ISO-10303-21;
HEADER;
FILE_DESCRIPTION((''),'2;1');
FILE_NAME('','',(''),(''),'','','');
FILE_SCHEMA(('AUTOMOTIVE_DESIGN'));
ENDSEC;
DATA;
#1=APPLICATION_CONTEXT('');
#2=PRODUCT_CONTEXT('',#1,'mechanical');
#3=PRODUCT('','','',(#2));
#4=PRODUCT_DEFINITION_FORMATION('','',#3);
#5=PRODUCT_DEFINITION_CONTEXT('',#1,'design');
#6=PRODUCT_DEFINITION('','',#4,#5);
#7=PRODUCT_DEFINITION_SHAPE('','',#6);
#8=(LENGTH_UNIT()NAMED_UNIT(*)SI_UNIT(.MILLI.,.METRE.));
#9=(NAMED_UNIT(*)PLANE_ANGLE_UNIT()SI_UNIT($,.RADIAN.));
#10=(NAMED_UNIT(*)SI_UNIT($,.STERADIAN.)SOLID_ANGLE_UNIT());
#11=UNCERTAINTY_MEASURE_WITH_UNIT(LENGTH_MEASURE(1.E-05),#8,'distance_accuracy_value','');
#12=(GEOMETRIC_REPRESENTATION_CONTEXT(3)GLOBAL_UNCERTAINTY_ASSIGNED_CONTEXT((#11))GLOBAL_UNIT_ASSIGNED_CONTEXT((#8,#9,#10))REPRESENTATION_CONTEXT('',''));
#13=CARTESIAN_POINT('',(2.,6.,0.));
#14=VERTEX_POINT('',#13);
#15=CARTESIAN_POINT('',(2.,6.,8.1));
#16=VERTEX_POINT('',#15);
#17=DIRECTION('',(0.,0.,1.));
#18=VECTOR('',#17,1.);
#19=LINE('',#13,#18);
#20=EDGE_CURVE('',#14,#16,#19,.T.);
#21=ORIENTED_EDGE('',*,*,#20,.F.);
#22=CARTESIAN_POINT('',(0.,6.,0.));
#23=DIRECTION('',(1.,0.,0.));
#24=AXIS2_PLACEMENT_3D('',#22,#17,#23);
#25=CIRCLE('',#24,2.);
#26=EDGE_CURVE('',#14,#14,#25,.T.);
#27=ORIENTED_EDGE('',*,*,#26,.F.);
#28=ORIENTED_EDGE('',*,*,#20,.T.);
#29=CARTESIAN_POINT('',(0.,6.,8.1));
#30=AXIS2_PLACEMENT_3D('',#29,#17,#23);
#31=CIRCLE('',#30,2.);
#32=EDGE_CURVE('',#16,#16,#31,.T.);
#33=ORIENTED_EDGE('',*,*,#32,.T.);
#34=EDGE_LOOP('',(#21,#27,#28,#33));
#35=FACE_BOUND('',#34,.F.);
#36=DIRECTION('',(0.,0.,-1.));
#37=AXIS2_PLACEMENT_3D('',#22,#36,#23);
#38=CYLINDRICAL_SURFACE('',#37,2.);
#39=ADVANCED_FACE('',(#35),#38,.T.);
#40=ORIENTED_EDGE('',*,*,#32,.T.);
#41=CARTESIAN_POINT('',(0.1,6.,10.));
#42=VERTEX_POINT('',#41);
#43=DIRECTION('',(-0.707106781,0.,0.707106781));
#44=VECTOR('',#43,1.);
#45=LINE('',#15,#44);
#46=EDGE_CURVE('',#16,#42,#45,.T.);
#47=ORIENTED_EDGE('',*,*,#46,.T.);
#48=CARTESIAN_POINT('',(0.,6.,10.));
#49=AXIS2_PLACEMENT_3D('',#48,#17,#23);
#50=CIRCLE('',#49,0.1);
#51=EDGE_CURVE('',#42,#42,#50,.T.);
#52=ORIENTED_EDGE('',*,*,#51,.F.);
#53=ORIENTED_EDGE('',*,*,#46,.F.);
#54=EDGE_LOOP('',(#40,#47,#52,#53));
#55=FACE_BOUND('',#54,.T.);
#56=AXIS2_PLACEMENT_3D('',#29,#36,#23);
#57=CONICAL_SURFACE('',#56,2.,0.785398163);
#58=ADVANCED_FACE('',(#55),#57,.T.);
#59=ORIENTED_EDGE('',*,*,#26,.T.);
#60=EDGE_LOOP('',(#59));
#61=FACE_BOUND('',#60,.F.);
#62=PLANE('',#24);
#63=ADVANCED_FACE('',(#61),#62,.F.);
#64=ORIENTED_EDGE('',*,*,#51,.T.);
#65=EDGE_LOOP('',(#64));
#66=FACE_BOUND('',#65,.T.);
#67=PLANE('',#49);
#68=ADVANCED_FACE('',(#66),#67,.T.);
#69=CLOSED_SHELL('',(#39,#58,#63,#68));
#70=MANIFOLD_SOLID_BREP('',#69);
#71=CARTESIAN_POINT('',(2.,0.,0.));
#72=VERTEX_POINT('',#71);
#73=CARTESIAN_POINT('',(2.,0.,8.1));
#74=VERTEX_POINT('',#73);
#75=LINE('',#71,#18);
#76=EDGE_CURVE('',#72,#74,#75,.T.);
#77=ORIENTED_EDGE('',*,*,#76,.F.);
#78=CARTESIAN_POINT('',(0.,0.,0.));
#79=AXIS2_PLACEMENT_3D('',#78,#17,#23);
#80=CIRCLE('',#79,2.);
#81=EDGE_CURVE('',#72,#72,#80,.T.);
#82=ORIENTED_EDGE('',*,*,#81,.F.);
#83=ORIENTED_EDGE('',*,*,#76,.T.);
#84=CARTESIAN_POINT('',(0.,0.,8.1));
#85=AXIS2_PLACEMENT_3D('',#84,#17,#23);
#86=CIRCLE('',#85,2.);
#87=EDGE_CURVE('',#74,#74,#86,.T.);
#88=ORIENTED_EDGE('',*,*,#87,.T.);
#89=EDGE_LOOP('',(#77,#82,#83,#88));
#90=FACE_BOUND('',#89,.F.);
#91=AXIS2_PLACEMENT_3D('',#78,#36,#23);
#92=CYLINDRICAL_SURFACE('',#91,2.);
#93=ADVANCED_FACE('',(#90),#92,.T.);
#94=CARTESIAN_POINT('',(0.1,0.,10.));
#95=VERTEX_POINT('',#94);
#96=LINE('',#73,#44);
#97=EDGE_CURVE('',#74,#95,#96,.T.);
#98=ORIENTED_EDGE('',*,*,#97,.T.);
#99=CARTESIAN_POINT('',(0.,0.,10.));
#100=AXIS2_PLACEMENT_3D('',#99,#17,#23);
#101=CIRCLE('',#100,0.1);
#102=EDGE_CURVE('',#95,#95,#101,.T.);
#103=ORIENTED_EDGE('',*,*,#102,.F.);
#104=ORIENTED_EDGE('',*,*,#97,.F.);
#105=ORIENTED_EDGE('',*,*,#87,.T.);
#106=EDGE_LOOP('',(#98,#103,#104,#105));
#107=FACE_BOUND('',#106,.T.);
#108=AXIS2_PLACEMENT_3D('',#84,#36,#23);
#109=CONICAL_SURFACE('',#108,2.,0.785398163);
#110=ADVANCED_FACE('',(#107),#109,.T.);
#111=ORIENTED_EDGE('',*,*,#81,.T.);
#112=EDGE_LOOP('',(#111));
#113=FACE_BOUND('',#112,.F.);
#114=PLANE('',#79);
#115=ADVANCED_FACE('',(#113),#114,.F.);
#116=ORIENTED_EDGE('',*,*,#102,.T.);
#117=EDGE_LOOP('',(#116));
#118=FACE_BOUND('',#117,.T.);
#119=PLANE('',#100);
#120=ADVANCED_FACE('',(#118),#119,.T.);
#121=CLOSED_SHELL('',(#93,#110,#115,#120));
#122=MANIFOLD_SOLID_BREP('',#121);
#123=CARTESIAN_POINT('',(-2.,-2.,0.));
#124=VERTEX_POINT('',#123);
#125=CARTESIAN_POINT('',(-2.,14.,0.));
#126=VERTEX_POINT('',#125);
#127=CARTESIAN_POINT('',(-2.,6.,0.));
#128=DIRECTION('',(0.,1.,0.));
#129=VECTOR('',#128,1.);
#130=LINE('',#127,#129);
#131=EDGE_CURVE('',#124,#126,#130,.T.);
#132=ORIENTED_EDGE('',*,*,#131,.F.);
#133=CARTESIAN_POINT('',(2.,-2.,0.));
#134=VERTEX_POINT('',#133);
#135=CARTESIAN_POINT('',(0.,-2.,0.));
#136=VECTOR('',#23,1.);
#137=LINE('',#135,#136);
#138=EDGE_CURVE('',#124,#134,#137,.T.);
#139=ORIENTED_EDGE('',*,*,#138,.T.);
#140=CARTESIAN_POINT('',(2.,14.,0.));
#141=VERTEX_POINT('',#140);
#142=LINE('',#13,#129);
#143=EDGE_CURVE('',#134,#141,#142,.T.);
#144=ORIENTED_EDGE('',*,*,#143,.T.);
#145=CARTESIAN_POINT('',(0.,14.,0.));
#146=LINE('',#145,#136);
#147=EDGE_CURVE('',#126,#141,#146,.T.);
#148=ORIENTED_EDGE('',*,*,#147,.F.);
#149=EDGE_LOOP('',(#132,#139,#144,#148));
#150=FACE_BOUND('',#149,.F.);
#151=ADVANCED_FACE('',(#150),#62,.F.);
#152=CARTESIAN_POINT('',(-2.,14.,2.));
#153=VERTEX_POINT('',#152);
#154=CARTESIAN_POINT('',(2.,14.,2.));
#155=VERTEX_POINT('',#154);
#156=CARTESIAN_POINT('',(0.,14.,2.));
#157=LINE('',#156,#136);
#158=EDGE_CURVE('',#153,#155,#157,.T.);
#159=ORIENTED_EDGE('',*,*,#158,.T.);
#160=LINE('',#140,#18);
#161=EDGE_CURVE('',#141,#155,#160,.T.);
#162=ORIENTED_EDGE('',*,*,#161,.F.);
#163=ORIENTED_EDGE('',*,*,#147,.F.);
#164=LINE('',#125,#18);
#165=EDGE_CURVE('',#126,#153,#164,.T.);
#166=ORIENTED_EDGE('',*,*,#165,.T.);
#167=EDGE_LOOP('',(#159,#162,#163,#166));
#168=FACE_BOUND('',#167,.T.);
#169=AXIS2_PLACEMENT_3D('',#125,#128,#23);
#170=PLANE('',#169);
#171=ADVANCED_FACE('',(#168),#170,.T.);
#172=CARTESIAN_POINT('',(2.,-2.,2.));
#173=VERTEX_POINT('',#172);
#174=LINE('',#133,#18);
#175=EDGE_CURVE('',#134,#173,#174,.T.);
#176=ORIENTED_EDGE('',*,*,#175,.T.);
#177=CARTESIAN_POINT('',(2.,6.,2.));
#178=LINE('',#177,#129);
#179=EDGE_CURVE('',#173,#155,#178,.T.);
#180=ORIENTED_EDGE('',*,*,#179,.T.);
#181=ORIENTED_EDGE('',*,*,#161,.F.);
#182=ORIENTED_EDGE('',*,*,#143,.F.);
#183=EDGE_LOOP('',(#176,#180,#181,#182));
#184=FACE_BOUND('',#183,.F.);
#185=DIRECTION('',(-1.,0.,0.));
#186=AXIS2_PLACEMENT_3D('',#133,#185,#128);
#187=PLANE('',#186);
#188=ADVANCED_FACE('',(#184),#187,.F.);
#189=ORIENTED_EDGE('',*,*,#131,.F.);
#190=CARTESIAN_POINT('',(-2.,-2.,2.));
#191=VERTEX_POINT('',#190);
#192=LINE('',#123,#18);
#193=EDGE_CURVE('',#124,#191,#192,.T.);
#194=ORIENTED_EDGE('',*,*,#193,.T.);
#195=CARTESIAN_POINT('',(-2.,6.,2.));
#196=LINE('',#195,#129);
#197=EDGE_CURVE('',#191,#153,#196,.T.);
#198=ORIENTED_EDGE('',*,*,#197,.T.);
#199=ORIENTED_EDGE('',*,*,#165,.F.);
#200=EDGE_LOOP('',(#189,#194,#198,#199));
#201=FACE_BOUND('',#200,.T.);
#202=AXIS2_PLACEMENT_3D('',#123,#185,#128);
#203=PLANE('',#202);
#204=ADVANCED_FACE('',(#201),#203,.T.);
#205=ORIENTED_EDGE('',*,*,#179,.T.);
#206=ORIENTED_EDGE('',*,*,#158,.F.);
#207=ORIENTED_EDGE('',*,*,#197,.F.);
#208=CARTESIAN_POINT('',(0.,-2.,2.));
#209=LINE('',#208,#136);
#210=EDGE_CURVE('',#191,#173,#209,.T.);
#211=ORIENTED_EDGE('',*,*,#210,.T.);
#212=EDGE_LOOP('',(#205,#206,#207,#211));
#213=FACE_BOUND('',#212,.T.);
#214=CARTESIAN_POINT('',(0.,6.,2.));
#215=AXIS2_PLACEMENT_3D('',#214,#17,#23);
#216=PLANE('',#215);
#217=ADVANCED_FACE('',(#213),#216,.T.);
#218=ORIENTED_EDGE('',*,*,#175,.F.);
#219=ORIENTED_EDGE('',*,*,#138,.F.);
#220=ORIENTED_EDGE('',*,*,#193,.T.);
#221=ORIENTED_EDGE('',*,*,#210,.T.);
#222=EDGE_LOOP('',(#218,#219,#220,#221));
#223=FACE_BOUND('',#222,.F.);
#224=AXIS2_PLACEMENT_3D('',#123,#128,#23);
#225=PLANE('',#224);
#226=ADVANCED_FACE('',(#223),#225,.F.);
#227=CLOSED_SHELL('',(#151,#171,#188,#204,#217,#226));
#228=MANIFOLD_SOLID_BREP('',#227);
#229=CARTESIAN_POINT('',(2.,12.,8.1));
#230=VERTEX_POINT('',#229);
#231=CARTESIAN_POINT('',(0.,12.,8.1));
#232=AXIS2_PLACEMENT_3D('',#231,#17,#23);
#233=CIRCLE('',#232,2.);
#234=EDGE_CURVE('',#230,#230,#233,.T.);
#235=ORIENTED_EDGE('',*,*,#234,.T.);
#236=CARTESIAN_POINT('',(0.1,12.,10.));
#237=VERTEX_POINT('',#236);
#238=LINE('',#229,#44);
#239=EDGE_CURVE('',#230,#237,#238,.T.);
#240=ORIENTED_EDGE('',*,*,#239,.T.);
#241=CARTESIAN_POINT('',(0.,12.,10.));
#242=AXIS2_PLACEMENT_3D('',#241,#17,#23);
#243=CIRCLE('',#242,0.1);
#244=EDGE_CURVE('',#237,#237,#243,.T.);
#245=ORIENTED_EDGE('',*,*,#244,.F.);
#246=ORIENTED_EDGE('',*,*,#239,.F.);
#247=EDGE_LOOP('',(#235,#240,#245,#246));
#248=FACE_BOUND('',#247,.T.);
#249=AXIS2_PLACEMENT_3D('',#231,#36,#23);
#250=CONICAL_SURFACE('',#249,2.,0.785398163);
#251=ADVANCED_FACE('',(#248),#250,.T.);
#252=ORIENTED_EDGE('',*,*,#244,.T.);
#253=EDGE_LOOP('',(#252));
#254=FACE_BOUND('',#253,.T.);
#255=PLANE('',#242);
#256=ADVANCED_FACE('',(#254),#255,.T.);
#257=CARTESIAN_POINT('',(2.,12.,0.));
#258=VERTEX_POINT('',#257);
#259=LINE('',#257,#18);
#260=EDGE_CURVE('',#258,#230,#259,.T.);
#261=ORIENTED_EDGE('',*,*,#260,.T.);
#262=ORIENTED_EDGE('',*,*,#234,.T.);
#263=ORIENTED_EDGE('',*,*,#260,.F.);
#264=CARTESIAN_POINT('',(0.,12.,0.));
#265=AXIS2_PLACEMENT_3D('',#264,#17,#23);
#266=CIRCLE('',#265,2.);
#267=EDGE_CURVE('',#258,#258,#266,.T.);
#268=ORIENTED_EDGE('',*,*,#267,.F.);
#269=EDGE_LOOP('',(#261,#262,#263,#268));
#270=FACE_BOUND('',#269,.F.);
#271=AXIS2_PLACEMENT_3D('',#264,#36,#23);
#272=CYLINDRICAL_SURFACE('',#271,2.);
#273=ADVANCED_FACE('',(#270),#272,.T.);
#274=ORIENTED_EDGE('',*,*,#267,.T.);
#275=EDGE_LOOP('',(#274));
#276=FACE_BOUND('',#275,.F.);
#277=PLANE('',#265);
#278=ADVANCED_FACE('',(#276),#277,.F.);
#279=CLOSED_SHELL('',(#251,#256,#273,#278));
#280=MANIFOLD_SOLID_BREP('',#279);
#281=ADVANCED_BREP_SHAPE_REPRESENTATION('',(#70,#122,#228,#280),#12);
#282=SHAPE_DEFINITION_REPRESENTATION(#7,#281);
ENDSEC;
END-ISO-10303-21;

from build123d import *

# Parameters (mm, degrees)
CYLINDER_R        = 2
CYLINDER_DEPTH    = 10
CHAMFER_SIZE      = 1.9
CYLINDER001_R     = 2
CYLINDER001_DEPTH = 10
CHAMFER001_SIZE   = 1.9
CYLINDER002_R     = 2
CYLINDER002_DEPTH = 10
CHAMFER002_SIZE   = 1.9
BOX_W             = 4
BOX_H             = 16
BOX_DEPTH         = 2


with BuildPart() as chamfer_body:
    # Cylinder → Cylinder (new body)
    with BuildSketch(Plane.XY):
        Circle(CYLINDER_R)
    extrude(amount=CYLINDER_DEPTH)

    # Chamfer
    chamfer_edges = [chamfer_body.edges().sort_by_distance(p)[0] for p in [
        (-2, 0, 10),
    ]]
    chamfer(chamfer_edges, length=CHAMFER_SIZE)


with BuildPart() as chamfer001:
    # Cylinder001 → Cylinder001 (new body)
    with BuildSketch(Plane.XY):
        Circle(CYLINDER001_R)
    extrude(amount=CYLINDER001_DEPTH)

    # Chamfer001
    chamfer001_edges = [chamfer001.edges().sort_by_distance(p)[0] for p in [
        (-2, 0, 10),
    ]]
    chamfer(chamfer001_edges, length=CHAMFER001_SIZE)


with BuildPart() as chamfer001_1:
    # Chamfer001 placement: moved
    add(chamfer001.part.moved(Location((0, 6, 0))))


with BuildPart() as chamfer002:
    # Cylinder002 → Cylinder002 (new body)
    with BuildSketch(Plane.XY):
        Circle(CYLINDER002_R)
    extrude(amount=CYLINDER002_DEPTH)

    # Chamfer002
    chamfer002_edges = [chamfer002.edges().sort_by_distance(p)[0] for p in [
        (-2, 0, 10),
    ]]
    chamfer(chamfer002_edges, length=CHAMFER002_SIZE)


with BuildPart() as chamfer002_1:
    # Chamfer002 placement: moved
    add(chamfer002.part.moved(Location((0, 12, 0))))


with BuildPart() as cubo:
    # Box → Box (new body)
    with BuildSketch(Plane(origin=(-2, -2, 0), x_dir=(1, 0, 0), z_dir=(0, 0, 1))):
        with Locations((2, 8)):
            Rectangle(BOX_W, BOX_H)
    extrude(amount=BOX_DEPTH)


solid = Compound([chamfer_body.part, chamfer001_1.part, chamfer002_1.part, cubo.part])
